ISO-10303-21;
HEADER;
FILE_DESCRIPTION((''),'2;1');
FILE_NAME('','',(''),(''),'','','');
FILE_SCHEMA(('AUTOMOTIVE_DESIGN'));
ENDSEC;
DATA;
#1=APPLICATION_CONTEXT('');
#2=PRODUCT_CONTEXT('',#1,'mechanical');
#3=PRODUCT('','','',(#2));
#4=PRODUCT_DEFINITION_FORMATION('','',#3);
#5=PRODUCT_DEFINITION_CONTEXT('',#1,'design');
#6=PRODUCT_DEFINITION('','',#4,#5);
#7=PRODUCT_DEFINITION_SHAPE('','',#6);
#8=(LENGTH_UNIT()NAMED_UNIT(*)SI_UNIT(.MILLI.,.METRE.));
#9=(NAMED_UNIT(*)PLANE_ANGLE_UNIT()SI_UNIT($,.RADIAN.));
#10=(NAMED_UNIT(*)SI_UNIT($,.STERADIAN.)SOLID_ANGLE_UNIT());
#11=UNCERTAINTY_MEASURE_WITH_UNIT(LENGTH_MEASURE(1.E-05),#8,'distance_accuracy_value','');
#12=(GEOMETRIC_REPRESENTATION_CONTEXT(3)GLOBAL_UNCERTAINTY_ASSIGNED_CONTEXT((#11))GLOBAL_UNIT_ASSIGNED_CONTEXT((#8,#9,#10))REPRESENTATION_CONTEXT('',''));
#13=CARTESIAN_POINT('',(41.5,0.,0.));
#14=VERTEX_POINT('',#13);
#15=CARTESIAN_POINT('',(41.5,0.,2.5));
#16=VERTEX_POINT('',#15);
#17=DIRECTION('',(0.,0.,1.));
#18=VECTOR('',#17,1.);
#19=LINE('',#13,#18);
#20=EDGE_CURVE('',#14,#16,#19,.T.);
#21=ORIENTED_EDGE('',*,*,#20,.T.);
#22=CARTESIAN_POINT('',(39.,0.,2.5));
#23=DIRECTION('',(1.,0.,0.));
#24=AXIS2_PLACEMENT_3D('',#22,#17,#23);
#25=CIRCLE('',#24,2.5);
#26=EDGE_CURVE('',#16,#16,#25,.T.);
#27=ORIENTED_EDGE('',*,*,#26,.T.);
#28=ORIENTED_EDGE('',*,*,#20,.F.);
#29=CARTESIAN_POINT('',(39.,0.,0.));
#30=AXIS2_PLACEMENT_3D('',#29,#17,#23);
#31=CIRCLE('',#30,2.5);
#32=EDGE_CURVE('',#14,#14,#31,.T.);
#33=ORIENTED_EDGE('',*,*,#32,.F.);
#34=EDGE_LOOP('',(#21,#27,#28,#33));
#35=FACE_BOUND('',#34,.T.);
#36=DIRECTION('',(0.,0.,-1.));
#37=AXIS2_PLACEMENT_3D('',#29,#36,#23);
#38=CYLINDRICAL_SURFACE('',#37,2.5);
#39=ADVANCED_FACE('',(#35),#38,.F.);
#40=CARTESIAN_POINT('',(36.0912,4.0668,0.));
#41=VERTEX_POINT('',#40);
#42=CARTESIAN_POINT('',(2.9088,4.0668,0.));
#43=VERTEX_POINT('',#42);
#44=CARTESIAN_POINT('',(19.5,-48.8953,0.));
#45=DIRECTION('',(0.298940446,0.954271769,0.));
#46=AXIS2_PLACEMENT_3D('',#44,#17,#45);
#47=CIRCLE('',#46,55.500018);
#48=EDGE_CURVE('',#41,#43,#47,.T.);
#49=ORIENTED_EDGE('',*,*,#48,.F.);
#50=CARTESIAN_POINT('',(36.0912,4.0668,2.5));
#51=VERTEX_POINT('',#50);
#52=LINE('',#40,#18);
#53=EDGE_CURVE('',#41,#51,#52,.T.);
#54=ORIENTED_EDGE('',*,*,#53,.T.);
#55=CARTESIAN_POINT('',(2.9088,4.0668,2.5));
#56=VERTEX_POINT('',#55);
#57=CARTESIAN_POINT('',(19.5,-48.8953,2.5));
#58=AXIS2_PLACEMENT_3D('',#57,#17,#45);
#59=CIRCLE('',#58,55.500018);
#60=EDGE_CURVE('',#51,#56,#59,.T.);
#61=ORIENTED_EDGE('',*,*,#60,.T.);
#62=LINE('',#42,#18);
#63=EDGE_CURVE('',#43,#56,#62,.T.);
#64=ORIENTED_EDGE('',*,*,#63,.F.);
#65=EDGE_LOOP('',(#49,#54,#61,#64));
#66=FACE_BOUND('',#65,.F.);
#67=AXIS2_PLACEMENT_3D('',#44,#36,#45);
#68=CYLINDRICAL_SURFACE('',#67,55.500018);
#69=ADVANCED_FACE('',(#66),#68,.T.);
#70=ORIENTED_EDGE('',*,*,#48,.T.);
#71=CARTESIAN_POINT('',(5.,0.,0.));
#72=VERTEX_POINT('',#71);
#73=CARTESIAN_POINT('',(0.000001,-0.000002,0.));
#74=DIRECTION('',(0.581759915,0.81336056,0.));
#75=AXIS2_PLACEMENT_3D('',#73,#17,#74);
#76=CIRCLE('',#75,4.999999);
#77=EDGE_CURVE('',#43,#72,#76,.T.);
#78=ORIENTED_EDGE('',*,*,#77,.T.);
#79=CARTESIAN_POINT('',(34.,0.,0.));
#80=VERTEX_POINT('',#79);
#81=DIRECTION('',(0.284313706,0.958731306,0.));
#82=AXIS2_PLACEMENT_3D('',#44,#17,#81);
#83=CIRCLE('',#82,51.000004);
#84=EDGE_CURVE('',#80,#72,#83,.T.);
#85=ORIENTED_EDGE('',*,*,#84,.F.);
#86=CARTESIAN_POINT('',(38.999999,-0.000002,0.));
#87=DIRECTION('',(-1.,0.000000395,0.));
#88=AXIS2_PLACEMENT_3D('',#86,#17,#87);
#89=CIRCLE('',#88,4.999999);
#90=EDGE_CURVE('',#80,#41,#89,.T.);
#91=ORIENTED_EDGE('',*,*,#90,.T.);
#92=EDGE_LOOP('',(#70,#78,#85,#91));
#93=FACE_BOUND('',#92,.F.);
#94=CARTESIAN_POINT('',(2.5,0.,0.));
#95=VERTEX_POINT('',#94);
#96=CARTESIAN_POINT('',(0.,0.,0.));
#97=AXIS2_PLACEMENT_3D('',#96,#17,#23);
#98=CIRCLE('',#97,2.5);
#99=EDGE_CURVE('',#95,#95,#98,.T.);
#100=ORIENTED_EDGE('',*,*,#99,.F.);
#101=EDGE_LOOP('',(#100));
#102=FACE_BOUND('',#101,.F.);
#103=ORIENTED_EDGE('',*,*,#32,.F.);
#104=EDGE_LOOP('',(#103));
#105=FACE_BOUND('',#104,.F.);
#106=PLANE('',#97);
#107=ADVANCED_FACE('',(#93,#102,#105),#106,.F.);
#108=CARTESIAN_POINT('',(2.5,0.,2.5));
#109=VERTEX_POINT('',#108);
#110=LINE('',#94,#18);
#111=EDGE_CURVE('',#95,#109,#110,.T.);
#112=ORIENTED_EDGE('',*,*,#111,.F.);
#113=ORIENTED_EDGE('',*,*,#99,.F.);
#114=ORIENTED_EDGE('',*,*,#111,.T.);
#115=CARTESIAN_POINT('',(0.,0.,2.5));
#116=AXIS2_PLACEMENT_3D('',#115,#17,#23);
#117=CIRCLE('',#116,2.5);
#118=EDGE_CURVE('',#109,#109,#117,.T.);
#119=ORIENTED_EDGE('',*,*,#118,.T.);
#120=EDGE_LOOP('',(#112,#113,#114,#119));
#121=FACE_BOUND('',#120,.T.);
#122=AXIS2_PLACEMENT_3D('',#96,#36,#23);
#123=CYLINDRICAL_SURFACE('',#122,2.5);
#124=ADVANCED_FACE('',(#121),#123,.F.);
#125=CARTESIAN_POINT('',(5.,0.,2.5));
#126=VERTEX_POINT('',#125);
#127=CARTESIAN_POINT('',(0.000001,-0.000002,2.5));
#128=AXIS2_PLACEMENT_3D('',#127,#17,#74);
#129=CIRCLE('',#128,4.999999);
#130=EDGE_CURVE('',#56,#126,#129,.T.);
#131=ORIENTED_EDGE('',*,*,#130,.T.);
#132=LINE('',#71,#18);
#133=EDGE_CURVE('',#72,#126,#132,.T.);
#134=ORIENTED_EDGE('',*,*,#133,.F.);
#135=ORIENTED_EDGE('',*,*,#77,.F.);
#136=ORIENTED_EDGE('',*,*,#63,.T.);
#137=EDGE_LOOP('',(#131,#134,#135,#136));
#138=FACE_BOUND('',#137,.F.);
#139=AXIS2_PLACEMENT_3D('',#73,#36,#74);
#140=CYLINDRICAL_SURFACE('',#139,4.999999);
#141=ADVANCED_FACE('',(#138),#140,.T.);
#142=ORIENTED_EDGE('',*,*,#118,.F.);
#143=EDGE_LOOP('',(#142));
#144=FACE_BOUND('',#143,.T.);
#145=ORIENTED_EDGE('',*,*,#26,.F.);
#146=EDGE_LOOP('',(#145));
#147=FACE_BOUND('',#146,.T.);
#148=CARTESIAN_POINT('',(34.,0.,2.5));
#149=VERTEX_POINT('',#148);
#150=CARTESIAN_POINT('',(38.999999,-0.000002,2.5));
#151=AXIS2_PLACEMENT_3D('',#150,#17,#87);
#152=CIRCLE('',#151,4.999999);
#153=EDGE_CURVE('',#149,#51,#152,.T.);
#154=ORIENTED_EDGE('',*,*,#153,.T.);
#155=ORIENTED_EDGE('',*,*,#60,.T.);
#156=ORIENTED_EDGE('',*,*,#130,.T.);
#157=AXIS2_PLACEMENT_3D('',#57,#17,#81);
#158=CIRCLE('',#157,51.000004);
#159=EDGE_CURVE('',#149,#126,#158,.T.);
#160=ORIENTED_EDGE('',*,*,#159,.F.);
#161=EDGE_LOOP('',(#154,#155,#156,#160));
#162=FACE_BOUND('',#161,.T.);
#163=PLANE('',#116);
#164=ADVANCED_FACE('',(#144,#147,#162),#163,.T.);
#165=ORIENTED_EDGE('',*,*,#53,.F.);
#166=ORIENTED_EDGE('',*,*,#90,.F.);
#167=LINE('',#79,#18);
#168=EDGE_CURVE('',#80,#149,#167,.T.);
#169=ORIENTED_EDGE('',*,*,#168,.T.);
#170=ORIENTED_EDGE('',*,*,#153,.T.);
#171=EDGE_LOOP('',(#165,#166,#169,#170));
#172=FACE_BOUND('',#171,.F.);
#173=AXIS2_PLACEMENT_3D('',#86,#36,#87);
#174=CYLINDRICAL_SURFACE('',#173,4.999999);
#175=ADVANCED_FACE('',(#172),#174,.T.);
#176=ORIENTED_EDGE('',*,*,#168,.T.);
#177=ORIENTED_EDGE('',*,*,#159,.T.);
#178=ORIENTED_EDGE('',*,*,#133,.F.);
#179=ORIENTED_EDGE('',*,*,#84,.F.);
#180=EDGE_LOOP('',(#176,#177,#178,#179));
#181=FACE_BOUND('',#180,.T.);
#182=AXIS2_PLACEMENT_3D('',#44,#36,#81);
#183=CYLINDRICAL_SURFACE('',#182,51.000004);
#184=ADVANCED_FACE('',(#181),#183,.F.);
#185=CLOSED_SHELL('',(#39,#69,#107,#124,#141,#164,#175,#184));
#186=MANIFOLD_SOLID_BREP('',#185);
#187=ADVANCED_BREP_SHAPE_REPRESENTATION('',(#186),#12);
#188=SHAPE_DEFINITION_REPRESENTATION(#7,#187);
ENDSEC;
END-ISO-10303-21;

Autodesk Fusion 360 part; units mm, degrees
sketch "Sketch1" plane through (0, 0, 0) normal (0, 0, 1) x (1, 0, 0)
  circle A0 centre (39, 0) radius 2.5
  circle A1 centre (0, 0) radius 2.5
  arc A2 (34, 0) -> (5, 0) centre (19.5, -48.8953) ccw
  arc A3 (36.0912, 4.0668) -> (2.9088, 4.0668) centre (19.5, -48.8953) ccw
  arc A4 (2.9088, 4.0668) -> (5, 0) centre (0, 0) ccw
  arc A5 (34, 0) -> (36.0912, 4.0668) centre (39, 0) ccw
  dimension "d1" = 39
  dimension "d2" = 5
  dimension "d3" = 10
  dimension "d4" = 5
  dimension "d5" = 10
  dimension "d6" = 51
  dimension "d7" = 4.5
  dimension "d8" = 34
extrude "Extrude1" add sketch "Sketch1" along normal blind 2.5
